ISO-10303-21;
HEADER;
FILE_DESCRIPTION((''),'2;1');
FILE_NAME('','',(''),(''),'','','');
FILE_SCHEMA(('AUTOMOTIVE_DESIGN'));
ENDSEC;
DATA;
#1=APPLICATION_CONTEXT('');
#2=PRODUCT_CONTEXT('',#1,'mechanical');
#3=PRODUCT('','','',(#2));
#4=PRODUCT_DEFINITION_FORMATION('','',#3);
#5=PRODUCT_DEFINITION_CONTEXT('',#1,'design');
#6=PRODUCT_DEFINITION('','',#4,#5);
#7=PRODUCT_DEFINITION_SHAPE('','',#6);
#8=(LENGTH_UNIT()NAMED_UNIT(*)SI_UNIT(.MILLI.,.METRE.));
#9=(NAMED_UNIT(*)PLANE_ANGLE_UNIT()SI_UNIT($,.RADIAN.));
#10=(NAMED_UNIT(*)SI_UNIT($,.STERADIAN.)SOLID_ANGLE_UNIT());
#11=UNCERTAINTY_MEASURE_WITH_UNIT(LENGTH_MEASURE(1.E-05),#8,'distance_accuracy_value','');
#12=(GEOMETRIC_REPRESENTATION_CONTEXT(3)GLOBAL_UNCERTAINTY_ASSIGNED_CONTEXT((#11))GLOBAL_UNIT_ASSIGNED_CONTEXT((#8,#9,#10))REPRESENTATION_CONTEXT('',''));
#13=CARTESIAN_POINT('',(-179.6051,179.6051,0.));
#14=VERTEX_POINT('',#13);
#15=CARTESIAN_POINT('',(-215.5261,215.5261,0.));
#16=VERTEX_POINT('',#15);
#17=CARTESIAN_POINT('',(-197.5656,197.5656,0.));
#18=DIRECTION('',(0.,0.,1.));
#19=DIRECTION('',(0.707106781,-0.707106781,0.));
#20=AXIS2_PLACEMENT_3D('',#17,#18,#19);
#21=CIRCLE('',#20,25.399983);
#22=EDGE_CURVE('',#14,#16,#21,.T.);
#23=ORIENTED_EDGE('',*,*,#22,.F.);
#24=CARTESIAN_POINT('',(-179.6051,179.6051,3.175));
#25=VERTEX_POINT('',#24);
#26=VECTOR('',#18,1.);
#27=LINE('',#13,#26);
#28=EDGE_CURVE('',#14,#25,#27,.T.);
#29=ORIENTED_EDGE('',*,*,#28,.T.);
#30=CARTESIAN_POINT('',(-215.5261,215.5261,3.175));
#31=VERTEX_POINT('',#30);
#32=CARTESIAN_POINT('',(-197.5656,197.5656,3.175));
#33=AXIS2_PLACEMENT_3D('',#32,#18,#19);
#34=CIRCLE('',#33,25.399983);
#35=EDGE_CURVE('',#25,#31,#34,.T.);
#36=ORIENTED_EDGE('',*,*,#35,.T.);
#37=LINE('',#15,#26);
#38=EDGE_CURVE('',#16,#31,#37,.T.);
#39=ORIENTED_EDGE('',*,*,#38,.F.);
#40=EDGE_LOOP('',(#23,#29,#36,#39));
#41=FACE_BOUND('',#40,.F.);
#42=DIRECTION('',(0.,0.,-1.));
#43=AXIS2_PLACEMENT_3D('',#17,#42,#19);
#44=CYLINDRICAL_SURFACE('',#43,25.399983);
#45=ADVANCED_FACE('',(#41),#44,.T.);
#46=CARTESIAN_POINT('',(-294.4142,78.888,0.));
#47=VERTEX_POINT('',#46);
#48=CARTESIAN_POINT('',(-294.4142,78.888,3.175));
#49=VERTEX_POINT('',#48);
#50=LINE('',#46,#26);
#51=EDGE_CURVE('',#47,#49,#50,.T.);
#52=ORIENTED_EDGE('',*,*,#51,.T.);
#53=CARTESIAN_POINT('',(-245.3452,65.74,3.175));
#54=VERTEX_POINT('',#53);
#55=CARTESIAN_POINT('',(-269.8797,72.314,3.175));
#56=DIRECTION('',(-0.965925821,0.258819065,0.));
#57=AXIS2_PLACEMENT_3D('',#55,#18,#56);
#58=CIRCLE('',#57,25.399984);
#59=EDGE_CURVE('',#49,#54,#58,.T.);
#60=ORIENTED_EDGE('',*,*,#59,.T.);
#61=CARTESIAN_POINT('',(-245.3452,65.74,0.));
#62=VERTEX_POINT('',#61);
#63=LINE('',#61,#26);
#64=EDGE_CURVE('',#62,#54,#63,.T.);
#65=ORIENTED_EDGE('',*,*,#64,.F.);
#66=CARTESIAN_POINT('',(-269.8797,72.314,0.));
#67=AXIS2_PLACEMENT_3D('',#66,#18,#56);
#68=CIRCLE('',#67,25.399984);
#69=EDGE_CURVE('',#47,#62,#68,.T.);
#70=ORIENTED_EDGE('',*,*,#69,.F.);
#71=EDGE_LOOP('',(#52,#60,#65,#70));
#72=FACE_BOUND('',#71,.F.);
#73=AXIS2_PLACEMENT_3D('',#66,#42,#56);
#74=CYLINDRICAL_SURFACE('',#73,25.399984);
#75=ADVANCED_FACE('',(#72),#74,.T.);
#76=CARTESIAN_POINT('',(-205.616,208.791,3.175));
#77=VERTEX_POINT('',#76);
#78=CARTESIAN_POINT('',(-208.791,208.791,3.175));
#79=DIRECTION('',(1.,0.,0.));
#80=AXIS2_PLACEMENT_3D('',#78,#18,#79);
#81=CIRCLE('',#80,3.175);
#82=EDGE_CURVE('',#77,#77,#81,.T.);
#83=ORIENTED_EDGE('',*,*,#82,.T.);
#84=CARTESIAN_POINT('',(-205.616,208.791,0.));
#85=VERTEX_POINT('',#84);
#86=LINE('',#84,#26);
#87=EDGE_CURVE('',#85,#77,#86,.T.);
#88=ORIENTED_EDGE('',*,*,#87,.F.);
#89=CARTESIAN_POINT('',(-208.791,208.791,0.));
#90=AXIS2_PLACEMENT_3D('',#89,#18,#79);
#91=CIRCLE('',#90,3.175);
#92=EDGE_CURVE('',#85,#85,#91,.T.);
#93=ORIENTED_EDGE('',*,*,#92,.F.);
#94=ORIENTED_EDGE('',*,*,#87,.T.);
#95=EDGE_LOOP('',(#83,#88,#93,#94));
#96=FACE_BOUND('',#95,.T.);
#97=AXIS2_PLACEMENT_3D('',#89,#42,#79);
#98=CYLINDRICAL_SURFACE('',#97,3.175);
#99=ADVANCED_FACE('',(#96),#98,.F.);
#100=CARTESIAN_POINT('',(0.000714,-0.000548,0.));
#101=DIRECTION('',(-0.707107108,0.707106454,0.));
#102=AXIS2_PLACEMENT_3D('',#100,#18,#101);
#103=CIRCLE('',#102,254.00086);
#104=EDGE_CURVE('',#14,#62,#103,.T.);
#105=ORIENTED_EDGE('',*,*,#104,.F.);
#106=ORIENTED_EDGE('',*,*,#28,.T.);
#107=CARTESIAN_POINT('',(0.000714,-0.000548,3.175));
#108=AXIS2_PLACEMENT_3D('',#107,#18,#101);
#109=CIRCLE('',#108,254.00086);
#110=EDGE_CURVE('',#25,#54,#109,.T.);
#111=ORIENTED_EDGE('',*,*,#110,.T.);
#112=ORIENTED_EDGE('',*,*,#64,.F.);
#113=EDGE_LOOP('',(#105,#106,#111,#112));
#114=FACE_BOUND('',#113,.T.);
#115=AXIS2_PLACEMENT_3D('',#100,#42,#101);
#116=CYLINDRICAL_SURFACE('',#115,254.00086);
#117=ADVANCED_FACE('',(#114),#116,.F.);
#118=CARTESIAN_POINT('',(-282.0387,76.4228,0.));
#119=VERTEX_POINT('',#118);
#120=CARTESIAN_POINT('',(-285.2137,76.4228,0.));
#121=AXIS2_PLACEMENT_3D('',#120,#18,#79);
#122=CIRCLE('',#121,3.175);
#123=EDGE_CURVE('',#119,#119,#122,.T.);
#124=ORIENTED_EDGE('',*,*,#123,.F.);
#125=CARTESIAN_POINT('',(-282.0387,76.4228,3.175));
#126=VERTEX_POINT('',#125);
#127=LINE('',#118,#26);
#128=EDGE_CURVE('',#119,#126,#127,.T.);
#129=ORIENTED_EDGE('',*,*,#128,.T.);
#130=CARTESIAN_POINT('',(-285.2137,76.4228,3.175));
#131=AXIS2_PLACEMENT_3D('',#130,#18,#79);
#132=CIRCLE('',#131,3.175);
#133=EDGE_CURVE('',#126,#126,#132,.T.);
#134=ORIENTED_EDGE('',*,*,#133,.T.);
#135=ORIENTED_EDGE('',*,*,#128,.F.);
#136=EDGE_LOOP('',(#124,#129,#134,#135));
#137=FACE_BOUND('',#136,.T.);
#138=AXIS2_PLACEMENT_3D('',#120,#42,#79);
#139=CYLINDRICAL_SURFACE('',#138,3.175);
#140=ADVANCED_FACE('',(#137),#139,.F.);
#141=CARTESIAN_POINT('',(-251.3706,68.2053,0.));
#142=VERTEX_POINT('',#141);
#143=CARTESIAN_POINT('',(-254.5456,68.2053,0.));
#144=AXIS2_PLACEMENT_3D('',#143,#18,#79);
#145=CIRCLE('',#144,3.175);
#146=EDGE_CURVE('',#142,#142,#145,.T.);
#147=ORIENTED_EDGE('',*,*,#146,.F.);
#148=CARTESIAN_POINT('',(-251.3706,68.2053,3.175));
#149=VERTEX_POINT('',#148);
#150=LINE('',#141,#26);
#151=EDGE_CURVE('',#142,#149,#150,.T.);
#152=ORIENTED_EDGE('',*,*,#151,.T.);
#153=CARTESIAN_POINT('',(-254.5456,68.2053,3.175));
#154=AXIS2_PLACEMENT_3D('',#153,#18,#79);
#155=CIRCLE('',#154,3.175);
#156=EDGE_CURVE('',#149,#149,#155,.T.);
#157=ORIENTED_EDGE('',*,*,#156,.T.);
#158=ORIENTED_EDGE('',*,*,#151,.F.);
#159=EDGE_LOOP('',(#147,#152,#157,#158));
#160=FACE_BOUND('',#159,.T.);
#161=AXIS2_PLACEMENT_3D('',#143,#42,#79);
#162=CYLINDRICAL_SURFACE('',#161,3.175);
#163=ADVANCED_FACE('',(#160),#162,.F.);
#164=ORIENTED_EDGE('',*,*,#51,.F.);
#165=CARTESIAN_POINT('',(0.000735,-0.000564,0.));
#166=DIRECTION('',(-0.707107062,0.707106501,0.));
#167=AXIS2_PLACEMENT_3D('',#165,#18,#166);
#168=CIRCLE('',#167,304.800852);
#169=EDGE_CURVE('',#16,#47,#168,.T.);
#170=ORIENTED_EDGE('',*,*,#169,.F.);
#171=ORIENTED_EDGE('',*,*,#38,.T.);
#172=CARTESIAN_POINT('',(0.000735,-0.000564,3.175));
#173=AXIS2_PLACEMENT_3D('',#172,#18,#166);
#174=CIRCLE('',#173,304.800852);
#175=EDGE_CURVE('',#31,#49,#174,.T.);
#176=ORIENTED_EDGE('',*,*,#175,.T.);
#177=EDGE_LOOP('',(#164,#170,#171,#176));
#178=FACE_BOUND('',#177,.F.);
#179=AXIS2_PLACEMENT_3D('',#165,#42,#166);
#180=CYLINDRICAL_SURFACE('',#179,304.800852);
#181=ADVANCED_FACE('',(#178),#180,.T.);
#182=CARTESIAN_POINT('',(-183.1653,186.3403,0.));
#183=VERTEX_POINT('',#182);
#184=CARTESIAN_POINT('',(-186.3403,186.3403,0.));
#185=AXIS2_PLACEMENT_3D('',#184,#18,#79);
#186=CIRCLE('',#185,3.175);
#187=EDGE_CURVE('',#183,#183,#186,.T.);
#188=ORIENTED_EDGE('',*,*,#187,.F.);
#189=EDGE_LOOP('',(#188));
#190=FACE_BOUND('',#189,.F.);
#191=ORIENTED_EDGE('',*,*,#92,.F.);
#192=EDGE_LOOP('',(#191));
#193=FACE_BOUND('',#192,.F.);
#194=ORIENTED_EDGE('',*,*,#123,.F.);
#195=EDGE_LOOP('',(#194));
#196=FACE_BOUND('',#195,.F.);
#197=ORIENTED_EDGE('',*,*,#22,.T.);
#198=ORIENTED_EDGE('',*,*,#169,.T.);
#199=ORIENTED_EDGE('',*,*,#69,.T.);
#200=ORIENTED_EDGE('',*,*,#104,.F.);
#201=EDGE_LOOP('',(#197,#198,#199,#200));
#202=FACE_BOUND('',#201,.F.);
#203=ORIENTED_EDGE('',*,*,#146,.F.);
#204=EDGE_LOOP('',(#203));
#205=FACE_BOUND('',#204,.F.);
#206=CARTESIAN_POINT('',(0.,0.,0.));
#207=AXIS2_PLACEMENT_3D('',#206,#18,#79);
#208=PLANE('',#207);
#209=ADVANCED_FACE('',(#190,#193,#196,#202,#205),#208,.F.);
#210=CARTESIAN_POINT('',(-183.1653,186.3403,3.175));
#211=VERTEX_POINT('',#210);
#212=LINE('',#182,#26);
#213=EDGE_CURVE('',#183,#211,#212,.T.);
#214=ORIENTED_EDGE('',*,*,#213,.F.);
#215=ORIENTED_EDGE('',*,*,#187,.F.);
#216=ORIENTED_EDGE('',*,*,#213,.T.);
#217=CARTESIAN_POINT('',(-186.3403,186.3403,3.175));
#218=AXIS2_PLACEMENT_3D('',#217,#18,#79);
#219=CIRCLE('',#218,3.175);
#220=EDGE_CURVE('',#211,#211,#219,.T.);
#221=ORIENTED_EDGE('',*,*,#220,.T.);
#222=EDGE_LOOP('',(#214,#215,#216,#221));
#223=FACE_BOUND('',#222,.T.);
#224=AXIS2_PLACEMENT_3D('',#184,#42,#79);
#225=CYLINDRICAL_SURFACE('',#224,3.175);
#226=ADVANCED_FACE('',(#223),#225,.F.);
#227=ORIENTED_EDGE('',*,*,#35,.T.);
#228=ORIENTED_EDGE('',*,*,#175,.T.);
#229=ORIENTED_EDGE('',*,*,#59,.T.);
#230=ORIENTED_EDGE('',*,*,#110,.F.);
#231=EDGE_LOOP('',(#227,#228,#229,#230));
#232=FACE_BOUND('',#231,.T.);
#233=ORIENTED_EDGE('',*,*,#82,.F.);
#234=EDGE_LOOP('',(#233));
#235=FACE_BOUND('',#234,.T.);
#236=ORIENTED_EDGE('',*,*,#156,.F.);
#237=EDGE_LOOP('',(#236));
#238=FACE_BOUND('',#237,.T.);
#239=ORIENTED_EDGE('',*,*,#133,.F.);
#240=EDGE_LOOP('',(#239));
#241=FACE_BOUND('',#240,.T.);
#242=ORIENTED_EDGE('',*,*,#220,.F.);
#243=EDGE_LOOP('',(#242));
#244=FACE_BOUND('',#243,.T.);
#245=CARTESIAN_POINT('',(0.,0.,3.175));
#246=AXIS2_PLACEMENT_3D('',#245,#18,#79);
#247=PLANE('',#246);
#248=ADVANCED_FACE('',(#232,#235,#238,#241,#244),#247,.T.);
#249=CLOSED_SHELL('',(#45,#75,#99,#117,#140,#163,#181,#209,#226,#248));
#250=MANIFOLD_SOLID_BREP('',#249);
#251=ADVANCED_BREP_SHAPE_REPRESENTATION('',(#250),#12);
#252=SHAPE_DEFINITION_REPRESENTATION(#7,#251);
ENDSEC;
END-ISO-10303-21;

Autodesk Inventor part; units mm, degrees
ref_plane "YZ Plane" through (0, 0, 0) normal (1, 0, 0) x (0, 1, 0)
ref_plane "XZ Plane" through (0, 0, 0) normal (0, 1, 0) x (-1, 0, 0)
ref_plane "XY Plane" through (0, 0, 0) normal (0, 0, 1) x (1, 0, 0)
sketch "Sketch1" plane through (0, 0, 0) normal (0, 0, 1) x (1, 0, 0)
  arc A0 (-197.5656, 197.5656) -> (-269.8797, 72.314) centre (0, 0) ccw construction
  arc A1 (-215.5261, 215.5261) -> (-294.4142, 78.888) centre (0, 0) ccw
  arc A2 (-179.6051, 179.6051) -> (-245.3452, 65.74) centre (0, 0) ccw
  arc A3 (-179.6051, 179.6051) -> (-215.5261, 215.5261) centre (-197.5656, 197.5656) ccw
  arc A4 (-294.4142, 78.888) -> (-245.3452, 65.74) centre (-269.8797, 72.314) ccw
  line L0 (0, 0) -> (-269.8797, 72.314) construction
  line L1 (0, 0) -> (269.8797, -72.314) construction
  line L2 (0, 0) -> (-197.5656, 197.5656) construction
  line L3 (0, 0) -> (-111.7396, 0) construction
  circle A5 centre (-208.791, 208.791) radius 3.175
  line L4 (-215.5261, 215.5261) -> (-179.6051, 179.6051) construction
  circle A6 centre (-285.2137, 76.4228) radius 3.175
  circle A7 centre (-254.5456, 68.2053) radius 3.175
  circle A8 centre (-186.3403, 186.3403) radius 3.175
  line L5 (-294.4142, 78.888) -> (-245.3452, 65.74) construction
  dimension "d30" = 279.4
  dimension "d31" = 180
  dimension "d32" = 30
  dimension "d33" = 50.8
  dimension "d34" = 45
  dimension "d35" = 6.35
  dimension "d36" = 15.875
  dimension "d37" = 6.35
  dimension "d38" = 6.35
  dimension "d39" = 6.35
  dimension "d40" = 15.875
  dimension "d41" = 15.875
  dimension "d42" = 15.875
extrude "Extrusion1" add sketch "Sketch1" along normal blind 3.175
properties part number "TurretHoodPanel3"
